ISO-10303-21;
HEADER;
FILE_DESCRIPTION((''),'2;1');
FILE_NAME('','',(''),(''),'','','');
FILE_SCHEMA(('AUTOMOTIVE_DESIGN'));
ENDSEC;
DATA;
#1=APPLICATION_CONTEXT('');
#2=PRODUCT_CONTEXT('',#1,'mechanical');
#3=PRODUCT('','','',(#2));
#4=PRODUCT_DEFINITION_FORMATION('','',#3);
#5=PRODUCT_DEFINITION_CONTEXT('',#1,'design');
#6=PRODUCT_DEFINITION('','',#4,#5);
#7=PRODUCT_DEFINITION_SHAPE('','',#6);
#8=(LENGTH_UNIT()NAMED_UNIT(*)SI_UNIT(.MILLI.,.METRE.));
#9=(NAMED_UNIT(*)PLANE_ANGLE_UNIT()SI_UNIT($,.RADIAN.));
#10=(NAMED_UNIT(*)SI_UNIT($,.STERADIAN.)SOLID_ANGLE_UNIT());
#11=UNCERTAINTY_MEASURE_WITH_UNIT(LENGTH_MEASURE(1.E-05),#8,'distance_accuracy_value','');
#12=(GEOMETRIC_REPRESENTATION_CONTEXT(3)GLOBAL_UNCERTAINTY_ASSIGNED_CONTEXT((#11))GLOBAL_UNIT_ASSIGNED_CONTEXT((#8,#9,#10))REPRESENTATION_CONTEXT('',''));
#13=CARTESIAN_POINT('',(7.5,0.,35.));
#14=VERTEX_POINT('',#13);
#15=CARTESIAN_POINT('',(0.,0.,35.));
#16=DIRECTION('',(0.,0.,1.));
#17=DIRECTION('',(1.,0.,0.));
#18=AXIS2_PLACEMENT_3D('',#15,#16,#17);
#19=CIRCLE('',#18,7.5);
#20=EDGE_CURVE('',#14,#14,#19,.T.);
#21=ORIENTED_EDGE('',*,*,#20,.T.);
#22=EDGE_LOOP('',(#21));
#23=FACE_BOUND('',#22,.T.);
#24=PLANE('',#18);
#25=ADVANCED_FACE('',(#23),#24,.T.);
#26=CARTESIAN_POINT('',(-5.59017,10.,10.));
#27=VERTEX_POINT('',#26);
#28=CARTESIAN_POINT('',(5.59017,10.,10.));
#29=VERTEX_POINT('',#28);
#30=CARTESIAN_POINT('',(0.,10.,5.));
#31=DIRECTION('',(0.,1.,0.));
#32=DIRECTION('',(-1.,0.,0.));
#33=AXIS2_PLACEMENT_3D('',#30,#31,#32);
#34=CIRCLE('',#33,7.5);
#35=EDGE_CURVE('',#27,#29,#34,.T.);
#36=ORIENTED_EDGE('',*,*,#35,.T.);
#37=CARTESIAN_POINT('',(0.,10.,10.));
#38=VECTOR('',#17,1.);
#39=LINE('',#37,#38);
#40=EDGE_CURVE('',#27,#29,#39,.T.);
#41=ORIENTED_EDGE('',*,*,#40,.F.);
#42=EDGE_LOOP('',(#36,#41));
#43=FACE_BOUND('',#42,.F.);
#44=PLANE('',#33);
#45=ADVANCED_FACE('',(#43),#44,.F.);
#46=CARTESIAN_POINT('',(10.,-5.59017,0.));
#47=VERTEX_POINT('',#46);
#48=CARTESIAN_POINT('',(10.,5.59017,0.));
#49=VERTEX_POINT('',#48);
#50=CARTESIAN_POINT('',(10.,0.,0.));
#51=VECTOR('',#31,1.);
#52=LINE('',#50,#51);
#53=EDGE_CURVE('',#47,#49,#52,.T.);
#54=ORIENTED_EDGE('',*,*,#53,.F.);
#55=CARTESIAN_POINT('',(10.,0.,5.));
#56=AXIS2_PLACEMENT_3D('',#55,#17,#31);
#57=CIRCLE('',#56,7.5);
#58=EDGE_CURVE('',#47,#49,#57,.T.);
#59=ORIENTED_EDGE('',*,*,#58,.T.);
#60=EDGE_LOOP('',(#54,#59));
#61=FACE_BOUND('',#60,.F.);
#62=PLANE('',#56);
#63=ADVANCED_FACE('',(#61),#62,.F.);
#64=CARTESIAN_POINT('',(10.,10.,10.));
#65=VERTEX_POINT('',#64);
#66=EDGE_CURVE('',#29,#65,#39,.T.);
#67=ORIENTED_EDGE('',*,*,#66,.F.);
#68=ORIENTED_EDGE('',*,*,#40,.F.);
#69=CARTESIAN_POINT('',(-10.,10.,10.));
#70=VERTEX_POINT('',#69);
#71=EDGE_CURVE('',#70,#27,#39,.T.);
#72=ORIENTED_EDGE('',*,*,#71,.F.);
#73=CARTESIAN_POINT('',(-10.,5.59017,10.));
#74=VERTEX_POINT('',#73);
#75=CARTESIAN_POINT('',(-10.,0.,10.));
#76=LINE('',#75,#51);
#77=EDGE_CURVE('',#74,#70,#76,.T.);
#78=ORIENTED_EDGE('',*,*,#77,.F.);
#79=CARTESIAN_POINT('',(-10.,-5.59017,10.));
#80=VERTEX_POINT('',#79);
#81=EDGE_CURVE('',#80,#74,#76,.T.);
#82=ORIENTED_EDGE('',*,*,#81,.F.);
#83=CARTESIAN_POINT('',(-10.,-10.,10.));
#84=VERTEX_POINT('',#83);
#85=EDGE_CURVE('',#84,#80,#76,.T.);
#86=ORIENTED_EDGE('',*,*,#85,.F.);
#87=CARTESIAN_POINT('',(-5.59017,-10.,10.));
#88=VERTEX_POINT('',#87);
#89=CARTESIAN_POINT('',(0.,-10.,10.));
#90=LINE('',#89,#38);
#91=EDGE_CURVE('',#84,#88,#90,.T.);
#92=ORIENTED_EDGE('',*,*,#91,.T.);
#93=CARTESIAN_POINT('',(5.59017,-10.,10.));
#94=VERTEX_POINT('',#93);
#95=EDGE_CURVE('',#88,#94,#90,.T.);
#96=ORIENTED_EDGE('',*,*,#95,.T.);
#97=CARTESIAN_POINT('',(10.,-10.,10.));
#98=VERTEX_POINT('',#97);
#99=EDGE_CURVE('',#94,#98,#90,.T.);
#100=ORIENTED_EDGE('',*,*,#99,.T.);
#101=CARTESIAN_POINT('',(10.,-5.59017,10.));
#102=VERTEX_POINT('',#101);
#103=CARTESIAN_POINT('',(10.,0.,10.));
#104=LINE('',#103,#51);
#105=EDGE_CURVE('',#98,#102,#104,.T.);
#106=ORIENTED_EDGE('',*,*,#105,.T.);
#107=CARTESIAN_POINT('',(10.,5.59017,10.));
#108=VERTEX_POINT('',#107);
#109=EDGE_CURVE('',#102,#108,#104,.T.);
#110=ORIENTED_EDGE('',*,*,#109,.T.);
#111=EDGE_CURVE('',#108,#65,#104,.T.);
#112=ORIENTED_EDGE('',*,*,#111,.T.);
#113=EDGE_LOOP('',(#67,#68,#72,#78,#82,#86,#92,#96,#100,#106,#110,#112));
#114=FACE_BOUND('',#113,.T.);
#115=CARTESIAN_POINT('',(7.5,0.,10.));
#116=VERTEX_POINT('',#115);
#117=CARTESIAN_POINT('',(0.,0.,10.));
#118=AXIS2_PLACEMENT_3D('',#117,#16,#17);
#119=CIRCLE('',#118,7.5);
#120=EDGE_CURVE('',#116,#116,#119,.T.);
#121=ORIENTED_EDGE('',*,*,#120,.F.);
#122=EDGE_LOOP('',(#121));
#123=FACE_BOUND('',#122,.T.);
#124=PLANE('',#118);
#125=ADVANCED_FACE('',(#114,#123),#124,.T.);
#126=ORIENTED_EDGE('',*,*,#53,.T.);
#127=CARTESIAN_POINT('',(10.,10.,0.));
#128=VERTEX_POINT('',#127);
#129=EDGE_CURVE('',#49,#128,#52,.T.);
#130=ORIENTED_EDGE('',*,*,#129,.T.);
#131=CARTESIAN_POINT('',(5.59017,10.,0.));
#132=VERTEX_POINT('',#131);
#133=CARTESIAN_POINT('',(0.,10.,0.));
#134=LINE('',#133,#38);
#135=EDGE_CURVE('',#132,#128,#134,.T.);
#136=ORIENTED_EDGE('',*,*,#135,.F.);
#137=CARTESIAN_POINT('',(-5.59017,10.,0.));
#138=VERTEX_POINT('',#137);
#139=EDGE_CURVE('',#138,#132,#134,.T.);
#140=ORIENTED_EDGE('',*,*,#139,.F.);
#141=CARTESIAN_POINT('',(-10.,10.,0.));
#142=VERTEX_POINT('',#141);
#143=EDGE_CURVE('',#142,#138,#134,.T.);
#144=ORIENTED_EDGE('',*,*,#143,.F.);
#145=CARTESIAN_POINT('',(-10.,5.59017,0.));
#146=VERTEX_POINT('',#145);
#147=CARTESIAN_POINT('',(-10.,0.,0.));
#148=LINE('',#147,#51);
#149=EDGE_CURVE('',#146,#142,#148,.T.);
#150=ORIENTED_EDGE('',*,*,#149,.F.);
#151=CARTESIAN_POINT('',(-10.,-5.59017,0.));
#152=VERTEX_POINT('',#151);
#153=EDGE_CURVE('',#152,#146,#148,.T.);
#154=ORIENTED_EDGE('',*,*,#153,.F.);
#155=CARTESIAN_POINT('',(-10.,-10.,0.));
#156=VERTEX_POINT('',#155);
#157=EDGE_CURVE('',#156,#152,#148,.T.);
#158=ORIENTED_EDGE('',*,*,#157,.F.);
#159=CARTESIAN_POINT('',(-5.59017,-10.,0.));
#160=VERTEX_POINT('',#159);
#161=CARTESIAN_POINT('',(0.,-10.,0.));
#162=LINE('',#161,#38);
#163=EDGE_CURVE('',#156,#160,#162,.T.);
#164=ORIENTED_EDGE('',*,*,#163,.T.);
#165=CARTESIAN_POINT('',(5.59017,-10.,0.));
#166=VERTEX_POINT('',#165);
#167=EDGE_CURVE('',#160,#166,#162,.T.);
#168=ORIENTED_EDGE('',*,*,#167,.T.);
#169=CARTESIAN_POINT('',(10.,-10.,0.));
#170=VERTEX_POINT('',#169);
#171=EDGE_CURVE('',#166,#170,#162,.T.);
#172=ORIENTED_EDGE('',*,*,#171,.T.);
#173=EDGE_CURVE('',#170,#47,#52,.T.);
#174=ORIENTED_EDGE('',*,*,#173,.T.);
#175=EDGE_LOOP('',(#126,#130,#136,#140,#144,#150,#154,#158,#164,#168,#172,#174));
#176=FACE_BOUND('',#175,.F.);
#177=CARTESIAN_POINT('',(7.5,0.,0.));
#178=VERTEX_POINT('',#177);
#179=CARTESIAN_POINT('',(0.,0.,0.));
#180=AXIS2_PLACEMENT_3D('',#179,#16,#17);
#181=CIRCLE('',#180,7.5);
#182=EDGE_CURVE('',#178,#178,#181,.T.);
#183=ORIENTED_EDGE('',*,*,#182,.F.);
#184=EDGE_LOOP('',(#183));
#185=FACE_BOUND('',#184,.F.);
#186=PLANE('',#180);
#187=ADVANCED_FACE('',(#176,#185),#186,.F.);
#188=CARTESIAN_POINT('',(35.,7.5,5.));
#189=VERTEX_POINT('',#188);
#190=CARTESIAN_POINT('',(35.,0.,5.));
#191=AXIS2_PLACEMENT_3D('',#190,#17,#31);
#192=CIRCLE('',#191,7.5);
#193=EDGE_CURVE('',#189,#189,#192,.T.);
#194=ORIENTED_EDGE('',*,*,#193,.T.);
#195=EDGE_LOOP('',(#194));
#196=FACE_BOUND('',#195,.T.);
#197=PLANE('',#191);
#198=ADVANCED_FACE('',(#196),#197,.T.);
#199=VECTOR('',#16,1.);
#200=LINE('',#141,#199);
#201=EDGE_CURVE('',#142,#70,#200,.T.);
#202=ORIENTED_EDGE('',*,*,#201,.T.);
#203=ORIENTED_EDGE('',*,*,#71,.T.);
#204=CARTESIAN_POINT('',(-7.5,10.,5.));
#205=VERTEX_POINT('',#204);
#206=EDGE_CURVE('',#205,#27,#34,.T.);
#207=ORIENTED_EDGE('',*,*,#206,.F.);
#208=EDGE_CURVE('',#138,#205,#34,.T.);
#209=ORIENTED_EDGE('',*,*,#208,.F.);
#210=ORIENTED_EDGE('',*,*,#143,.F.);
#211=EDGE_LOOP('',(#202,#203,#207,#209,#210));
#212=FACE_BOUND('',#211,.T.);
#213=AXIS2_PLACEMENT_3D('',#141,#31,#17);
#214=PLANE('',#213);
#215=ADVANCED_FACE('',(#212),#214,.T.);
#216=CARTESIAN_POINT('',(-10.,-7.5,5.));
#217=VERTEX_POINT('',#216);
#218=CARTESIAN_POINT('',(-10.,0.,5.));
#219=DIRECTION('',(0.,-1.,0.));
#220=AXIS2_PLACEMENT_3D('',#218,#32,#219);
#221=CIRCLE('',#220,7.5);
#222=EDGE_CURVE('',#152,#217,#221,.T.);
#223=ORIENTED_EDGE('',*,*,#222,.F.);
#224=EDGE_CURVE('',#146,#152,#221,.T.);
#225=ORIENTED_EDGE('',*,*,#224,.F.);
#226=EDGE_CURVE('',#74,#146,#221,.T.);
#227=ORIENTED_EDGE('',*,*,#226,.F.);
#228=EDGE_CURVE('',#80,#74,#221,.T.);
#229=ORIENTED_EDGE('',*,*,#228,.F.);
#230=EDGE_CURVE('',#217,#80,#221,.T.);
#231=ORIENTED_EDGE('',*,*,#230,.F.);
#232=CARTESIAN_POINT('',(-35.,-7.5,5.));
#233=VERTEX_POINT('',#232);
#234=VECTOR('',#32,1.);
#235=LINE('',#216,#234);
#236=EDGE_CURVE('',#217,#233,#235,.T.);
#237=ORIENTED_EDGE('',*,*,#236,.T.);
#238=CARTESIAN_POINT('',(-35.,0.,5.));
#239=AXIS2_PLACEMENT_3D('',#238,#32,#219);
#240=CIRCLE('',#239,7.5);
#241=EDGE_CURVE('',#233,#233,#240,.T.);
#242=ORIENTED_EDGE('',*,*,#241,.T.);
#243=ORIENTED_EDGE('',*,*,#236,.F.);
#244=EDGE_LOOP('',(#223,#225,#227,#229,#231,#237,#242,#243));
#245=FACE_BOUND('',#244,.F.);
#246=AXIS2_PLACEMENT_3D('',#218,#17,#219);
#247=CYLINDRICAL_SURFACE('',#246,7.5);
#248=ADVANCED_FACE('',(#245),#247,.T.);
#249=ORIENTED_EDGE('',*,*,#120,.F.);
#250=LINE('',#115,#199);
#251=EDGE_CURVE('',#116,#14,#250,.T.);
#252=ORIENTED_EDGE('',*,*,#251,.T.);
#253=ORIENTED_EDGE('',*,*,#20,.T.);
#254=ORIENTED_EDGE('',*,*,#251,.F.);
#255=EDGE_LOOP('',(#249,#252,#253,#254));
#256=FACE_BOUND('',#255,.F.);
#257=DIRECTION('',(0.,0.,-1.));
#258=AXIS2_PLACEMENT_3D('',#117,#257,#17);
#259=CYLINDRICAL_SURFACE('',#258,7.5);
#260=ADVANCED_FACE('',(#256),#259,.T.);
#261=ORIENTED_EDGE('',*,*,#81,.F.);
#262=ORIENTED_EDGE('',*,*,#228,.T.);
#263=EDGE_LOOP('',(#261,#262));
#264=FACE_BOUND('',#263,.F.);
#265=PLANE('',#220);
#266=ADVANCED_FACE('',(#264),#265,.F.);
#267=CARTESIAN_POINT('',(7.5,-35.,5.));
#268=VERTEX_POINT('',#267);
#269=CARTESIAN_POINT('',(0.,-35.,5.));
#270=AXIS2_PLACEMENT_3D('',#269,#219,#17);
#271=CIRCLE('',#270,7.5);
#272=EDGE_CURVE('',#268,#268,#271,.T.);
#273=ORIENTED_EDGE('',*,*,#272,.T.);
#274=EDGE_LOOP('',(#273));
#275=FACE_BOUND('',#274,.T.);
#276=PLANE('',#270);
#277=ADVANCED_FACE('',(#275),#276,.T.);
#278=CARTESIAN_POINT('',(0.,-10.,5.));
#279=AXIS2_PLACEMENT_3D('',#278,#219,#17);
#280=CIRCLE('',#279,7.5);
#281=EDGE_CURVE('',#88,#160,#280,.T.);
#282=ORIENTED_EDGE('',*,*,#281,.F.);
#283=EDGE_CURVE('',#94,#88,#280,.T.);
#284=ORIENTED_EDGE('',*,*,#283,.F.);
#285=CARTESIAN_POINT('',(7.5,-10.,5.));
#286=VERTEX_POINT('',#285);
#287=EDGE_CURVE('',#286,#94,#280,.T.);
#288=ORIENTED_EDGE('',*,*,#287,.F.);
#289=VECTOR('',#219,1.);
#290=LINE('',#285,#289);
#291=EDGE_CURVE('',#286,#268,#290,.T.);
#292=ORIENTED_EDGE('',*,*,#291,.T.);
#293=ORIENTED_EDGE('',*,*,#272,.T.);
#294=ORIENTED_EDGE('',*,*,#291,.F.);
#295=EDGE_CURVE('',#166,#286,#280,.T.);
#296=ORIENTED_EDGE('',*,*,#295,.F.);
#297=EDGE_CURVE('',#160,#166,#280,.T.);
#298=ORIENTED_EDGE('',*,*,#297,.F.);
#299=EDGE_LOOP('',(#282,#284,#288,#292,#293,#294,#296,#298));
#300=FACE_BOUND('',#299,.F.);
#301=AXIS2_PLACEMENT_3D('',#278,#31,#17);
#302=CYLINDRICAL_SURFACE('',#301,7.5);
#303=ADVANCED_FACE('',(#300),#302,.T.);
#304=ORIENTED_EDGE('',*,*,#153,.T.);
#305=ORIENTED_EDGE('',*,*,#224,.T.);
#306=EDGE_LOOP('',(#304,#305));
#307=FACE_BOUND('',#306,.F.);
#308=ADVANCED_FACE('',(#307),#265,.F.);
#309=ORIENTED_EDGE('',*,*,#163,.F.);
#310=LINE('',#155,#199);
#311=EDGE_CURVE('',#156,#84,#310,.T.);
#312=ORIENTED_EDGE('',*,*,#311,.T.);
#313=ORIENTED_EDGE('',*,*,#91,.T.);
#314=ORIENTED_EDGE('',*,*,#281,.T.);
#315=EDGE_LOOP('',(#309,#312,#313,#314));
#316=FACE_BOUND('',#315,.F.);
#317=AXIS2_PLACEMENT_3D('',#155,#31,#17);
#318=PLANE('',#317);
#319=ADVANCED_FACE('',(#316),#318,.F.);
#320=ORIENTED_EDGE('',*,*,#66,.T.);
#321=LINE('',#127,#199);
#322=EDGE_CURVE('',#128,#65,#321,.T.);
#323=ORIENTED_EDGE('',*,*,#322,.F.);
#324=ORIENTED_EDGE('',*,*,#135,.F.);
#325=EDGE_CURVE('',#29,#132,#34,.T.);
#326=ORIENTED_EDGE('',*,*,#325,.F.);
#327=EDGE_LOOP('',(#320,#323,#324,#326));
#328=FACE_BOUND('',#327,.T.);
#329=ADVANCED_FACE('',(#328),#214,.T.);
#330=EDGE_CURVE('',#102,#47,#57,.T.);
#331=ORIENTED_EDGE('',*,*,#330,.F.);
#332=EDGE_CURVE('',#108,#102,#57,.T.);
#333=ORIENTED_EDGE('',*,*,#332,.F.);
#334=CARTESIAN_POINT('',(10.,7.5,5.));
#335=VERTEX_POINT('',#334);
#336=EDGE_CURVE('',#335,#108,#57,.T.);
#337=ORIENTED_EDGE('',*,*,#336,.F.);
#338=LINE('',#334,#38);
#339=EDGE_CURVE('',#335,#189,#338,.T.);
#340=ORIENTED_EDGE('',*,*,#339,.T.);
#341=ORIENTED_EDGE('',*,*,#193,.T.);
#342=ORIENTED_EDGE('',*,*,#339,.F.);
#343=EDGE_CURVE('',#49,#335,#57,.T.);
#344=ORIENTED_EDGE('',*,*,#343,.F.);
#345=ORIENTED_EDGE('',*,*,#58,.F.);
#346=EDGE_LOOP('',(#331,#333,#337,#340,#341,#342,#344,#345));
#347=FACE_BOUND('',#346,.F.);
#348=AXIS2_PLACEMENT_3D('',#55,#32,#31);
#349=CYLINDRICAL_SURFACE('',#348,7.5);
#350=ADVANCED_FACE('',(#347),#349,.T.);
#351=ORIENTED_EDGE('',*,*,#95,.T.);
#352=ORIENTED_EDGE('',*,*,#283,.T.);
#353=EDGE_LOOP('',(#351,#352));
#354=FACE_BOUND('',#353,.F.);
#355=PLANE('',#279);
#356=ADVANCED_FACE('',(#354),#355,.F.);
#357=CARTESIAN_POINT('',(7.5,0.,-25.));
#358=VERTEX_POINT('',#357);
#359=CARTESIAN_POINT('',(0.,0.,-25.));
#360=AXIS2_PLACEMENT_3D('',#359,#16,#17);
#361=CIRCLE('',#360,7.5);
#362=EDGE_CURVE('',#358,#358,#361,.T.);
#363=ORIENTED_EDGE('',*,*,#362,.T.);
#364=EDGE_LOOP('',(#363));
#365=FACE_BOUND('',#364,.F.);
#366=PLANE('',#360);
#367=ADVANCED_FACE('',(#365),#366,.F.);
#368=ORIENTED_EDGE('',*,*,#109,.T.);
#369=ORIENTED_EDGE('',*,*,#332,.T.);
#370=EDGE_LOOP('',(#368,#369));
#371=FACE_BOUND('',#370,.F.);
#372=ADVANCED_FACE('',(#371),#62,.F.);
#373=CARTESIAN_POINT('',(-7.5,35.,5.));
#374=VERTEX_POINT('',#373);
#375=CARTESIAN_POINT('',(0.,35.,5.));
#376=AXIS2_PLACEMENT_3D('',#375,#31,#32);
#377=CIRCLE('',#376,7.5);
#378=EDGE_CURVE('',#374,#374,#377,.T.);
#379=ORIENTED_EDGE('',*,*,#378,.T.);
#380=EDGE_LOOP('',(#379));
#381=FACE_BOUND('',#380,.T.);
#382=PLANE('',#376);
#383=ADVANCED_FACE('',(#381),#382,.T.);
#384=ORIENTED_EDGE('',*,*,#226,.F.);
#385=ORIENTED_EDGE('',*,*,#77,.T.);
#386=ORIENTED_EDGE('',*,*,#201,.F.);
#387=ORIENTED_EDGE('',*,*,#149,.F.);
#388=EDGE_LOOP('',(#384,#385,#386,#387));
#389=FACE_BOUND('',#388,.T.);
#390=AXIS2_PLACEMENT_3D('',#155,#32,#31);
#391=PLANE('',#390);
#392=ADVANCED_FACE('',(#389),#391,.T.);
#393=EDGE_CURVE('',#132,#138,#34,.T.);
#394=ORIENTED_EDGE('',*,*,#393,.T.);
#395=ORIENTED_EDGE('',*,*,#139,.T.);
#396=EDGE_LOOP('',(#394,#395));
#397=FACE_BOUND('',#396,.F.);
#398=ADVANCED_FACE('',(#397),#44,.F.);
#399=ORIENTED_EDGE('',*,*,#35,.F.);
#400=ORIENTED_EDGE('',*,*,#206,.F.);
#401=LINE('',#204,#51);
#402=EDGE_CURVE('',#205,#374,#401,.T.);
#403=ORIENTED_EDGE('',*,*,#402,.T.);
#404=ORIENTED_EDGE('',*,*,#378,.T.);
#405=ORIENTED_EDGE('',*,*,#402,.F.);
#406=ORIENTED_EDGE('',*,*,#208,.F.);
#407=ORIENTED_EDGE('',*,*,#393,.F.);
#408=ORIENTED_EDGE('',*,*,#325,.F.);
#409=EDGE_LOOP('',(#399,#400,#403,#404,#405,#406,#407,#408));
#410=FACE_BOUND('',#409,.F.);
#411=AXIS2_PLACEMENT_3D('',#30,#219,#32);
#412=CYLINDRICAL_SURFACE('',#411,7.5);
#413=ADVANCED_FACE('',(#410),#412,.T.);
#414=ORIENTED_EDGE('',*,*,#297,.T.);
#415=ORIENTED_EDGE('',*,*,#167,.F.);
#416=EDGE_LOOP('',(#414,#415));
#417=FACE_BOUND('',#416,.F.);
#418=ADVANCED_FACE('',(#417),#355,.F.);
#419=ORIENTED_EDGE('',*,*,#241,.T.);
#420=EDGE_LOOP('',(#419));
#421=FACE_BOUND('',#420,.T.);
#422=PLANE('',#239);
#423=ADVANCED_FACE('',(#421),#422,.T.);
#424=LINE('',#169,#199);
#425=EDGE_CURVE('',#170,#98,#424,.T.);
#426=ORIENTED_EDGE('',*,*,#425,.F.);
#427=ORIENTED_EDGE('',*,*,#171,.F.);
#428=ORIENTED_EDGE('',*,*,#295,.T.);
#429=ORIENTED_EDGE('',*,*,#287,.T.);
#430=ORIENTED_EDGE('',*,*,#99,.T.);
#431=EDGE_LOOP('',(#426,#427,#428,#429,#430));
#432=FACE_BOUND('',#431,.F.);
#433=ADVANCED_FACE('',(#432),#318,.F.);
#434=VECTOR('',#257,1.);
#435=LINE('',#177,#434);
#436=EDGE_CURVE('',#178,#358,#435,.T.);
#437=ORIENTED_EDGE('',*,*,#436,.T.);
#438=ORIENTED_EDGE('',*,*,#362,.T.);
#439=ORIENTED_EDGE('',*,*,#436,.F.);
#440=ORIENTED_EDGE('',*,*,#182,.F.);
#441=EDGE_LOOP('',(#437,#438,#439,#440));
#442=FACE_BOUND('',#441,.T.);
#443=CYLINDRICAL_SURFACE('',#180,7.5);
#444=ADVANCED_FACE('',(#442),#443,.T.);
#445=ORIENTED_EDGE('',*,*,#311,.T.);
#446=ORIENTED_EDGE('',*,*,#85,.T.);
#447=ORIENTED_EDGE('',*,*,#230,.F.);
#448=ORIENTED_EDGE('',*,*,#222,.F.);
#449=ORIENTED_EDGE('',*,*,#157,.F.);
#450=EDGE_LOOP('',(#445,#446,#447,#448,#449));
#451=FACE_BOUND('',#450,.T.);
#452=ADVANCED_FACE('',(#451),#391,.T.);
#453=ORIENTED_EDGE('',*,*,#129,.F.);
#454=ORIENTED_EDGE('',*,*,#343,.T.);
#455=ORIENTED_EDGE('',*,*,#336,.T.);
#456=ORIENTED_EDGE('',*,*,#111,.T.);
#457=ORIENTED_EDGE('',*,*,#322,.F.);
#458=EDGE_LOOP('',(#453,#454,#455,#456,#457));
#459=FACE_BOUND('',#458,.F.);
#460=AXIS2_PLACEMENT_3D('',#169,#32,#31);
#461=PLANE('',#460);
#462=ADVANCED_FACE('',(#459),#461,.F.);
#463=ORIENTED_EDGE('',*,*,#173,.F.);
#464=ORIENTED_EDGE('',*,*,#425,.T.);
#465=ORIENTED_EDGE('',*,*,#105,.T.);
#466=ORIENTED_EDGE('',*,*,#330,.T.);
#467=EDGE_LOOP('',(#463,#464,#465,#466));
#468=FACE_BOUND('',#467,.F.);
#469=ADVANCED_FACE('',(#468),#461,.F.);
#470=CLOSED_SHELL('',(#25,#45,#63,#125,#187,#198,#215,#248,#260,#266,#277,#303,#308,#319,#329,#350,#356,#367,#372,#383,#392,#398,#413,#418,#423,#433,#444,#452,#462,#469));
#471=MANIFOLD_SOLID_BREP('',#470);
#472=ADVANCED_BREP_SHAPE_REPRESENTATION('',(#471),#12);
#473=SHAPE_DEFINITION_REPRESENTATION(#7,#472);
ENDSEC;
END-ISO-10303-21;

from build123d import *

# Parameters (mm, degrees)
F0_W      = 20
F0_H      = 20
F1_DEPTH  = 10
F2_R      = 7.5
F8_DEPTH  = 25
F3_R      = 7.5
F9_DEPTH  = 25
F4_R      = 7.5
F10_DEPTH = 25
F5_R      = 7.5
F11_DEPTH = 25
F6_R      = 7.5
F12_DEPTH = 25
F7_R      = 7.5
F13_DEPTH = 25


with BuildPart() as f1:
    # F0 (on Top) → F1 (new body)
    with BuildSketch(Plane.XY):
        Rectangle(F0_W, F0_H)
    extrude(amount=F1_DEPTH)

    # F2 (on face) → F8 (join)
    with BuildSketch(Plane.XY.offset(10)):
        Circle(F2_R)
    extrude(amount=F8_DEPTH)

    # F3 (on face) → F9 (join)
    with BuildSketch(Plane(origin=(0, 10, 0), x_dir=(-1, 0, 0), z_dir=(0, 1, 0))):
        with Locations((0, 5)):
            Circle(F3_R)
    extrude(amount=F9_DEPTH)

    # F4 (on face) → F10 (join)
    with BuildSketch(Plane.XZ.offset(10)):
        with Locations((0, 5)):
            Circle(F4_R)
    extrude(amount=F10_DEPTH)

    # F5 (on face) → F11 (join)
    with BuildSketch(Plane(origin=(-10, 0, 0), x_dir=(0, -1, 0), z_dir=(-1, 0, 0))):
        with Locations((0, 5)):
            Circle(F5_R)
    extrude(amount=F11_DEPTH)

    # F6 (on face) → F12 (join)
    with BuildSketch(Plane.YZ.offset(10)):
        with Locations((0, 5)):
            Circle(F6_R)
    extrude(amount=F12_DEPTH)

    # F7 (on face) → F13 (join)
    with BuildSketch(Plane.XY):
        Circle(F7_R)
    extrude(amount=-F13_DEPTH)


solid = f1.part
